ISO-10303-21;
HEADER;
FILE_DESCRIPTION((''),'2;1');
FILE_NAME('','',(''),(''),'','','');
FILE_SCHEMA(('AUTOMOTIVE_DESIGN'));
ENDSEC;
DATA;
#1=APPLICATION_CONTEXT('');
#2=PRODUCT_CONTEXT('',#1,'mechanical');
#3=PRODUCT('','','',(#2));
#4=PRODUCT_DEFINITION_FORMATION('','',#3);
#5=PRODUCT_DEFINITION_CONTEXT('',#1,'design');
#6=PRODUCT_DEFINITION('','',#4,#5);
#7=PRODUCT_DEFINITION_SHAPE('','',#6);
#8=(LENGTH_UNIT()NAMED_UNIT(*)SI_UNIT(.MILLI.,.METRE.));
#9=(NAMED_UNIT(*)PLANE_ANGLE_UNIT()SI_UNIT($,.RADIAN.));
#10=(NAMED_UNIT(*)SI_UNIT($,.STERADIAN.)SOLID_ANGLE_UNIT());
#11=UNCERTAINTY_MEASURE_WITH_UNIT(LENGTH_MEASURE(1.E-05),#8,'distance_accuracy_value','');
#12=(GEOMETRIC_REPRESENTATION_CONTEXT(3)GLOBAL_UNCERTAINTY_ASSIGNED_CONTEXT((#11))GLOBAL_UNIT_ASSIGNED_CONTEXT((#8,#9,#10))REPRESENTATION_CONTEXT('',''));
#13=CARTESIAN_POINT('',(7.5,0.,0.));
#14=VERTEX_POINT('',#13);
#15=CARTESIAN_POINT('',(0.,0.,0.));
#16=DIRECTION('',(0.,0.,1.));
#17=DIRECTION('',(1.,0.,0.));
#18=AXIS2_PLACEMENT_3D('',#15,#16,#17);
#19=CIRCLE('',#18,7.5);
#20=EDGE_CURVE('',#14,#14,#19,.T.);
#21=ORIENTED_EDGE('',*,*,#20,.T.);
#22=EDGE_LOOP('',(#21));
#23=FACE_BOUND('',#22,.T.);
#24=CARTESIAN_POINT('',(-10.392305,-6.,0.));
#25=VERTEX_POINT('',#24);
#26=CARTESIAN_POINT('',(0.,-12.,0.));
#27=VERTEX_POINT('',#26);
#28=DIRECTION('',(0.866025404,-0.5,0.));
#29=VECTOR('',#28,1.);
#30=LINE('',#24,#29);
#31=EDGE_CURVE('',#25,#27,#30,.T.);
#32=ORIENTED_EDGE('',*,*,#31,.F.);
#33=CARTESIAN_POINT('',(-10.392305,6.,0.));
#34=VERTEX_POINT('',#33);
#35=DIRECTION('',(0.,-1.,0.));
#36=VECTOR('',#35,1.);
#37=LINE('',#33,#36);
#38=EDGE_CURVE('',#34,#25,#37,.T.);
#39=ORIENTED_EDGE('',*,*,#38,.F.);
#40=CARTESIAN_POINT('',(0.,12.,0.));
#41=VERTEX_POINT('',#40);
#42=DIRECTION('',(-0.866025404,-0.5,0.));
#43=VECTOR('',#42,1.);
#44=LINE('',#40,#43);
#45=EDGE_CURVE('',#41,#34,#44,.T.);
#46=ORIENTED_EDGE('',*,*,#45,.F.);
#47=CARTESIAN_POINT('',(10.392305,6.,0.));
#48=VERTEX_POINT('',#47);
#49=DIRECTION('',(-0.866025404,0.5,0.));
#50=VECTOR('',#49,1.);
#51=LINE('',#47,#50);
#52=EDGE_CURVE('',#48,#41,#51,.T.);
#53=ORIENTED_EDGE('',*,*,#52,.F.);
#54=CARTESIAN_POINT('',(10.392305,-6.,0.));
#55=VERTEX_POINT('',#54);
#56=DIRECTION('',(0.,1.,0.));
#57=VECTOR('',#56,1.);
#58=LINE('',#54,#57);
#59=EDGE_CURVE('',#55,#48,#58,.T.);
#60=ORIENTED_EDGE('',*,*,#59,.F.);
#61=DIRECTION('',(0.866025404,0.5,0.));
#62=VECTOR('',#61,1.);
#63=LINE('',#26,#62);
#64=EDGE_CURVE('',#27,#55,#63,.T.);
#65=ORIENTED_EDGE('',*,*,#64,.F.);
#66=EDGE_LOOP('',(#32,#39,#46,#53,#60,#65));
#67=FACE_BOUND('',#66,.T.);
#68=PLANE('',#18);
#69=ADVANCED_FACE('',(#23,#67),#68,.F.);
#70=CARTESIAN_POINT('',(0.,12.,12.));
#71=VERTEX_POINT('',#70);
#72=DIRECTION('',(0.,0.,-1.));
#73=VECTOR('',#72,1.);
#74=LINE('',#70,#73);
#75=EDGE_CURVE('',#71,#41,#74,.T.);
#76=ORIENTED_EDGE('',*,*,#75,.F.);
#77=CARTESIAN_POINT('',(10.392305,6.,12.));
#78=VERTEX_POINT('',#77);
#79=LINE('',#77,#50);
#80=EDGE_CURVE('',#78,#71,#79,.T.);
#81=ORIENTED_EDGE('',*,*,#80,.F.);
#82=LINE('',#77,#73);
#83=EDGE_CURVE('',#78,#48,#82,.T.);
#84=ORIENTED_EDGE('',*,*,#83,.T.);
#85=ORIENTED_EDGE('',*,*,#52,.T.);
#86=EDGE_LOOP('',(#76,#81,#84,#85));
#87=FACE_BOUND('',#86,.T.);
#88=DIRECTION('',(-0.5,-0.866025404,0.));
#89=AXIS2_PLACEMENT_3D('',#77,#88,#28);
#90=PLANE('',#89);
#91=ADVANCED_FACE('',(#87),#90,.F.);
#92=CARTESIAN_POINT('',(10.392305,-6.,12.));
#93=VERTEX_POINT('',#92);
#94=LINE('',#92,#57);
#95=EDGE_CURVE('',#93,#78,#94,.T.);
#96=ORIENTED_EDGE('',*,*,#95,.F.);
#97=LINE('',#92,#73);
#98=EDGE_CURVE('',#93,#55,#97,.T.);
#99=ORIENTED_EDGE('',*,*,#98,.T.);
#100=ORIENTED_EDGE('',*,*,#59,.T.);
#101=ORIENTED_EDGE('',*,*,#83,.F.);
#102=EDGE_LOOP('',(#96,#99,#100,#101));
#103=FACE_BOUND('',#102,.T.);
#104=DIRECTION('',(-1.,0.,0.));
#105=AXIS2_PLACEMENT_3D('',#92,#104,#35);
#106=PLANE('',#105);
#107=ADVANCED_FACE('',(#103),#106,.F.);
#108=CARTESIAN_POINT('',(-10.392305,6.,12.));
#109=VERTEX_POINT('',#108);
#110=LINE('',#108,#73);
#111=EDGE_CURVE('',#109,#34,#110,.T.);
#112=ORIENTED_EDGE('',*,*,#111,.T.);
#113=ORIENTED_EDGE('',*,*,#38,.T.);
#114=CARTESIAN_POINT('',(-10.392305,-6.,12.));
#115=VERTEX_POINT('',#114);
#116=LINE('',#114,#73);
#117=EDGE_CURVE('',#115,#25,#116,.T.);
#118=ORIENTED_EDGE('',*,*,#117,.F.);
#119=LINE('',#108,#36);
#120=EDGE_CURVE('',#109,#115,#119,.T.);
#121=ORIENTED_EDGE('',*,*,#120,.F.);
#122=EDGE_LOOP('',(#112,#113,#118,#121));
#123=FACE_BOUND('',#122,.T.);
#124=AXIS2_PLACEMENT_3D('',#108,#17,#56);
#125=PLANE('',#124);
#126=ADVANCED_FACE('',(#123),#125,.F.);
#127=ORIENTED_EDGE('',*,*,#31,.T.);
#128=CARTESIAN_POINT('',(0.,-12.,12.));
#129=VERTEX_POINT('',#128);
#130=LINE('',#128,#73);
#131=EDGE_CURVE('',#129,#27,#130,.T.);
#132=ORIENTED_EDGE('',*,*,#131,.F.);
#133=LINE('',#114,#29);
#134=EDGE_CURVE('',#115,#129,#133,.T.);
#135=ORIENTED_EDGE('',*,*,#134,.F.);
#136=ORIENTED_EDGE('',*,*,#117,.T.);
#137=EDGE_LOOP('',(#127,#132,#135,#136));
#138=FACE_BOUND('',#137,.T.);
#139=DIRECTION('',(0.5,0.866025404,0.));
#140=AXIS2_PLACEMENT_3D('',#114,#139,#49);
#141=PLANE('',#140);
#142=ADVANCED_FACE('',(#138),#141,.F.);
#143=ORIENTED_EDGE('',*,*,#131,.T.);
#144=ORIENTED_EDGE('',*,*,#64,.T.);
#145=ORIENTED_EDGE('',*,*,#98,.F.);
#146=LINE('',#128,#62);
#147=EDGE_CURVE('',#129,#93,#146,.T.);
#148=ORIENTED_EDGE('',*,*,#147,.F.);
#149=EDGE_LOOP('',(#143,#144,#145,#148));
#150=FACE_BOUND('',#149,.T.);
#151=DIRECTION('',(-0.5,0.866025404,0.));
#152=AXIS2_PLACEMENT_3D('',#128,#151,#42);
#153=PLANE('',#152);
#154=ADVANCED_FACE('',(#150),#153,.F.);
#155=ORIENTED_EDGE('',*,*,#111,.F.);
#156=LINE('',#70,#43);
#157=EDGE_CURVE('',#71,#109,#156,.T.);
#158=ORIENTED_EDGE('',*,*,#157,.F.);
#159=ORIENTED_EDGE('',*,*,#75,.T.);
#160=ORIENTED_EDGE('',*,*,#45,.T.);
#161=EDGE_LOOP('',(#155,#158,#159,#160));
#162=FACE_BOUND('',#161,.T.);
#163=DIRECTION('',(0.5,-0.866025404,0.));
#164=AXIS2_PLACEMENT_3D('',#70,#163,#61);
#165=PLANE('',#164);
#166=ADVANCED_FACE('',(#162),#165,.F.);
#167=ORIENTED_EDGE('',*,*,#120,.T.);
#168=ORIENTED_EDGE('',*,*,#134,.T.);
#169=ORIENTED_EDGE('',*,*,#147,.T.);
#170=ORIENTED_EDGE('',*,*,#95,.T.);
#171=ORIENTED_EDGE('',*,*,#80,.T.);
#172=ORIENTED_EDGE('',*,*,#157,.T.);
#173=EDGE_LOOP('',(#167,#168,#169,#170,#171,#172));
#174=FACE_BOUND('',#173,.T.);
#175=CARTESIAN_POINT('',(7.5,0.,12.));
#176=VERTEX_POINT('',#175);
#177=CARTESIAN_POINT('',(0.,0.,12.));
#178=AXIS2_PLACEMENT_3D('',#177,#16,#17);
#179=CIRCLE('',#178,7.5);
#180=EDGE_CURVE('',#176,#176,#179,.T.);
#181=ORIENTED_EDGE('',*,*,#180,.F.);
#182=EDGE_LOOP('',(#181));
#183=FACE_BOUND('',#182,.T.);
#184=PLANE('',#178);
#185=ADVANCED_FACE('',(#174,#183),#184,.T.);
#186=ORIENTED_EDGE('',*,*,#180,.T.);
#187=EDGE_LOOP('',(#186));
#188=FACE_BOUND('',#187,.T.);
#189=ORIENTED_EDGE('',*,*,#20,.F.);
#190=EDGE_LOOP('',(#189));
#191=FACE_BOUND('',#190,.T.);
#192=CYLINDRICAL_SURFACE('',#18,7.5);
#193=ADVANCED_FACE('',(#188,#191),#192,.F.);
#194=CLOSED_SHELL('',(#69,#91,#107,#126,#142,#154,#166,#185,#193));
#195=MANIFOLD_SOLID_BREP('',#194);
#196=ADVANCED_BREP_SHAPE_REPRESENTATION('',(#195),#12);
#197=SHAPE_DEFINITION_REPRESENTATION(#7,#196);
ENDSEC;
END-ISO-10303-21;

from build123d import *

# Parameters (mm, degrees)
BOSS_EXTRUDE1_DEPTH     = 12
CUT_EXTRUDE1_DEPTH      = 20.899748742
CUT_EXTRUDE1_DEPTH_BACK = 20.899748742
SKETCH2_R               = 7.5


with BuildPart() as part:
    # Sketch1 → Boss-Extrude1 (new body)
    with BuildSketch(Plane.XY):
        Polygon((0, -12), (10.392304845, -6), (10.392304845, 6), (0, 12), (-10.392304845, 6), (-10.392304845, -6), align=None)
    extrude(amount=BOSS_EXTRUDE1_DEPTH)

    # Sketch2 → Cut-Extrude1 (cut, two sides: drawn at the far end of the back side and taken through both)
    with BuildSketch(Plane.XY.offset(12).offset(-CUT_EXTRUDE1_DEPTH_BACK)):
        Circle(SKETCH2_R)
    extrude(amount=CUT_EXTRUDE1_DEPTH + CUT_EXTRUDE1_DEPTH_BACK, mode=Mode.SUBTRACT)


solid = part.part
